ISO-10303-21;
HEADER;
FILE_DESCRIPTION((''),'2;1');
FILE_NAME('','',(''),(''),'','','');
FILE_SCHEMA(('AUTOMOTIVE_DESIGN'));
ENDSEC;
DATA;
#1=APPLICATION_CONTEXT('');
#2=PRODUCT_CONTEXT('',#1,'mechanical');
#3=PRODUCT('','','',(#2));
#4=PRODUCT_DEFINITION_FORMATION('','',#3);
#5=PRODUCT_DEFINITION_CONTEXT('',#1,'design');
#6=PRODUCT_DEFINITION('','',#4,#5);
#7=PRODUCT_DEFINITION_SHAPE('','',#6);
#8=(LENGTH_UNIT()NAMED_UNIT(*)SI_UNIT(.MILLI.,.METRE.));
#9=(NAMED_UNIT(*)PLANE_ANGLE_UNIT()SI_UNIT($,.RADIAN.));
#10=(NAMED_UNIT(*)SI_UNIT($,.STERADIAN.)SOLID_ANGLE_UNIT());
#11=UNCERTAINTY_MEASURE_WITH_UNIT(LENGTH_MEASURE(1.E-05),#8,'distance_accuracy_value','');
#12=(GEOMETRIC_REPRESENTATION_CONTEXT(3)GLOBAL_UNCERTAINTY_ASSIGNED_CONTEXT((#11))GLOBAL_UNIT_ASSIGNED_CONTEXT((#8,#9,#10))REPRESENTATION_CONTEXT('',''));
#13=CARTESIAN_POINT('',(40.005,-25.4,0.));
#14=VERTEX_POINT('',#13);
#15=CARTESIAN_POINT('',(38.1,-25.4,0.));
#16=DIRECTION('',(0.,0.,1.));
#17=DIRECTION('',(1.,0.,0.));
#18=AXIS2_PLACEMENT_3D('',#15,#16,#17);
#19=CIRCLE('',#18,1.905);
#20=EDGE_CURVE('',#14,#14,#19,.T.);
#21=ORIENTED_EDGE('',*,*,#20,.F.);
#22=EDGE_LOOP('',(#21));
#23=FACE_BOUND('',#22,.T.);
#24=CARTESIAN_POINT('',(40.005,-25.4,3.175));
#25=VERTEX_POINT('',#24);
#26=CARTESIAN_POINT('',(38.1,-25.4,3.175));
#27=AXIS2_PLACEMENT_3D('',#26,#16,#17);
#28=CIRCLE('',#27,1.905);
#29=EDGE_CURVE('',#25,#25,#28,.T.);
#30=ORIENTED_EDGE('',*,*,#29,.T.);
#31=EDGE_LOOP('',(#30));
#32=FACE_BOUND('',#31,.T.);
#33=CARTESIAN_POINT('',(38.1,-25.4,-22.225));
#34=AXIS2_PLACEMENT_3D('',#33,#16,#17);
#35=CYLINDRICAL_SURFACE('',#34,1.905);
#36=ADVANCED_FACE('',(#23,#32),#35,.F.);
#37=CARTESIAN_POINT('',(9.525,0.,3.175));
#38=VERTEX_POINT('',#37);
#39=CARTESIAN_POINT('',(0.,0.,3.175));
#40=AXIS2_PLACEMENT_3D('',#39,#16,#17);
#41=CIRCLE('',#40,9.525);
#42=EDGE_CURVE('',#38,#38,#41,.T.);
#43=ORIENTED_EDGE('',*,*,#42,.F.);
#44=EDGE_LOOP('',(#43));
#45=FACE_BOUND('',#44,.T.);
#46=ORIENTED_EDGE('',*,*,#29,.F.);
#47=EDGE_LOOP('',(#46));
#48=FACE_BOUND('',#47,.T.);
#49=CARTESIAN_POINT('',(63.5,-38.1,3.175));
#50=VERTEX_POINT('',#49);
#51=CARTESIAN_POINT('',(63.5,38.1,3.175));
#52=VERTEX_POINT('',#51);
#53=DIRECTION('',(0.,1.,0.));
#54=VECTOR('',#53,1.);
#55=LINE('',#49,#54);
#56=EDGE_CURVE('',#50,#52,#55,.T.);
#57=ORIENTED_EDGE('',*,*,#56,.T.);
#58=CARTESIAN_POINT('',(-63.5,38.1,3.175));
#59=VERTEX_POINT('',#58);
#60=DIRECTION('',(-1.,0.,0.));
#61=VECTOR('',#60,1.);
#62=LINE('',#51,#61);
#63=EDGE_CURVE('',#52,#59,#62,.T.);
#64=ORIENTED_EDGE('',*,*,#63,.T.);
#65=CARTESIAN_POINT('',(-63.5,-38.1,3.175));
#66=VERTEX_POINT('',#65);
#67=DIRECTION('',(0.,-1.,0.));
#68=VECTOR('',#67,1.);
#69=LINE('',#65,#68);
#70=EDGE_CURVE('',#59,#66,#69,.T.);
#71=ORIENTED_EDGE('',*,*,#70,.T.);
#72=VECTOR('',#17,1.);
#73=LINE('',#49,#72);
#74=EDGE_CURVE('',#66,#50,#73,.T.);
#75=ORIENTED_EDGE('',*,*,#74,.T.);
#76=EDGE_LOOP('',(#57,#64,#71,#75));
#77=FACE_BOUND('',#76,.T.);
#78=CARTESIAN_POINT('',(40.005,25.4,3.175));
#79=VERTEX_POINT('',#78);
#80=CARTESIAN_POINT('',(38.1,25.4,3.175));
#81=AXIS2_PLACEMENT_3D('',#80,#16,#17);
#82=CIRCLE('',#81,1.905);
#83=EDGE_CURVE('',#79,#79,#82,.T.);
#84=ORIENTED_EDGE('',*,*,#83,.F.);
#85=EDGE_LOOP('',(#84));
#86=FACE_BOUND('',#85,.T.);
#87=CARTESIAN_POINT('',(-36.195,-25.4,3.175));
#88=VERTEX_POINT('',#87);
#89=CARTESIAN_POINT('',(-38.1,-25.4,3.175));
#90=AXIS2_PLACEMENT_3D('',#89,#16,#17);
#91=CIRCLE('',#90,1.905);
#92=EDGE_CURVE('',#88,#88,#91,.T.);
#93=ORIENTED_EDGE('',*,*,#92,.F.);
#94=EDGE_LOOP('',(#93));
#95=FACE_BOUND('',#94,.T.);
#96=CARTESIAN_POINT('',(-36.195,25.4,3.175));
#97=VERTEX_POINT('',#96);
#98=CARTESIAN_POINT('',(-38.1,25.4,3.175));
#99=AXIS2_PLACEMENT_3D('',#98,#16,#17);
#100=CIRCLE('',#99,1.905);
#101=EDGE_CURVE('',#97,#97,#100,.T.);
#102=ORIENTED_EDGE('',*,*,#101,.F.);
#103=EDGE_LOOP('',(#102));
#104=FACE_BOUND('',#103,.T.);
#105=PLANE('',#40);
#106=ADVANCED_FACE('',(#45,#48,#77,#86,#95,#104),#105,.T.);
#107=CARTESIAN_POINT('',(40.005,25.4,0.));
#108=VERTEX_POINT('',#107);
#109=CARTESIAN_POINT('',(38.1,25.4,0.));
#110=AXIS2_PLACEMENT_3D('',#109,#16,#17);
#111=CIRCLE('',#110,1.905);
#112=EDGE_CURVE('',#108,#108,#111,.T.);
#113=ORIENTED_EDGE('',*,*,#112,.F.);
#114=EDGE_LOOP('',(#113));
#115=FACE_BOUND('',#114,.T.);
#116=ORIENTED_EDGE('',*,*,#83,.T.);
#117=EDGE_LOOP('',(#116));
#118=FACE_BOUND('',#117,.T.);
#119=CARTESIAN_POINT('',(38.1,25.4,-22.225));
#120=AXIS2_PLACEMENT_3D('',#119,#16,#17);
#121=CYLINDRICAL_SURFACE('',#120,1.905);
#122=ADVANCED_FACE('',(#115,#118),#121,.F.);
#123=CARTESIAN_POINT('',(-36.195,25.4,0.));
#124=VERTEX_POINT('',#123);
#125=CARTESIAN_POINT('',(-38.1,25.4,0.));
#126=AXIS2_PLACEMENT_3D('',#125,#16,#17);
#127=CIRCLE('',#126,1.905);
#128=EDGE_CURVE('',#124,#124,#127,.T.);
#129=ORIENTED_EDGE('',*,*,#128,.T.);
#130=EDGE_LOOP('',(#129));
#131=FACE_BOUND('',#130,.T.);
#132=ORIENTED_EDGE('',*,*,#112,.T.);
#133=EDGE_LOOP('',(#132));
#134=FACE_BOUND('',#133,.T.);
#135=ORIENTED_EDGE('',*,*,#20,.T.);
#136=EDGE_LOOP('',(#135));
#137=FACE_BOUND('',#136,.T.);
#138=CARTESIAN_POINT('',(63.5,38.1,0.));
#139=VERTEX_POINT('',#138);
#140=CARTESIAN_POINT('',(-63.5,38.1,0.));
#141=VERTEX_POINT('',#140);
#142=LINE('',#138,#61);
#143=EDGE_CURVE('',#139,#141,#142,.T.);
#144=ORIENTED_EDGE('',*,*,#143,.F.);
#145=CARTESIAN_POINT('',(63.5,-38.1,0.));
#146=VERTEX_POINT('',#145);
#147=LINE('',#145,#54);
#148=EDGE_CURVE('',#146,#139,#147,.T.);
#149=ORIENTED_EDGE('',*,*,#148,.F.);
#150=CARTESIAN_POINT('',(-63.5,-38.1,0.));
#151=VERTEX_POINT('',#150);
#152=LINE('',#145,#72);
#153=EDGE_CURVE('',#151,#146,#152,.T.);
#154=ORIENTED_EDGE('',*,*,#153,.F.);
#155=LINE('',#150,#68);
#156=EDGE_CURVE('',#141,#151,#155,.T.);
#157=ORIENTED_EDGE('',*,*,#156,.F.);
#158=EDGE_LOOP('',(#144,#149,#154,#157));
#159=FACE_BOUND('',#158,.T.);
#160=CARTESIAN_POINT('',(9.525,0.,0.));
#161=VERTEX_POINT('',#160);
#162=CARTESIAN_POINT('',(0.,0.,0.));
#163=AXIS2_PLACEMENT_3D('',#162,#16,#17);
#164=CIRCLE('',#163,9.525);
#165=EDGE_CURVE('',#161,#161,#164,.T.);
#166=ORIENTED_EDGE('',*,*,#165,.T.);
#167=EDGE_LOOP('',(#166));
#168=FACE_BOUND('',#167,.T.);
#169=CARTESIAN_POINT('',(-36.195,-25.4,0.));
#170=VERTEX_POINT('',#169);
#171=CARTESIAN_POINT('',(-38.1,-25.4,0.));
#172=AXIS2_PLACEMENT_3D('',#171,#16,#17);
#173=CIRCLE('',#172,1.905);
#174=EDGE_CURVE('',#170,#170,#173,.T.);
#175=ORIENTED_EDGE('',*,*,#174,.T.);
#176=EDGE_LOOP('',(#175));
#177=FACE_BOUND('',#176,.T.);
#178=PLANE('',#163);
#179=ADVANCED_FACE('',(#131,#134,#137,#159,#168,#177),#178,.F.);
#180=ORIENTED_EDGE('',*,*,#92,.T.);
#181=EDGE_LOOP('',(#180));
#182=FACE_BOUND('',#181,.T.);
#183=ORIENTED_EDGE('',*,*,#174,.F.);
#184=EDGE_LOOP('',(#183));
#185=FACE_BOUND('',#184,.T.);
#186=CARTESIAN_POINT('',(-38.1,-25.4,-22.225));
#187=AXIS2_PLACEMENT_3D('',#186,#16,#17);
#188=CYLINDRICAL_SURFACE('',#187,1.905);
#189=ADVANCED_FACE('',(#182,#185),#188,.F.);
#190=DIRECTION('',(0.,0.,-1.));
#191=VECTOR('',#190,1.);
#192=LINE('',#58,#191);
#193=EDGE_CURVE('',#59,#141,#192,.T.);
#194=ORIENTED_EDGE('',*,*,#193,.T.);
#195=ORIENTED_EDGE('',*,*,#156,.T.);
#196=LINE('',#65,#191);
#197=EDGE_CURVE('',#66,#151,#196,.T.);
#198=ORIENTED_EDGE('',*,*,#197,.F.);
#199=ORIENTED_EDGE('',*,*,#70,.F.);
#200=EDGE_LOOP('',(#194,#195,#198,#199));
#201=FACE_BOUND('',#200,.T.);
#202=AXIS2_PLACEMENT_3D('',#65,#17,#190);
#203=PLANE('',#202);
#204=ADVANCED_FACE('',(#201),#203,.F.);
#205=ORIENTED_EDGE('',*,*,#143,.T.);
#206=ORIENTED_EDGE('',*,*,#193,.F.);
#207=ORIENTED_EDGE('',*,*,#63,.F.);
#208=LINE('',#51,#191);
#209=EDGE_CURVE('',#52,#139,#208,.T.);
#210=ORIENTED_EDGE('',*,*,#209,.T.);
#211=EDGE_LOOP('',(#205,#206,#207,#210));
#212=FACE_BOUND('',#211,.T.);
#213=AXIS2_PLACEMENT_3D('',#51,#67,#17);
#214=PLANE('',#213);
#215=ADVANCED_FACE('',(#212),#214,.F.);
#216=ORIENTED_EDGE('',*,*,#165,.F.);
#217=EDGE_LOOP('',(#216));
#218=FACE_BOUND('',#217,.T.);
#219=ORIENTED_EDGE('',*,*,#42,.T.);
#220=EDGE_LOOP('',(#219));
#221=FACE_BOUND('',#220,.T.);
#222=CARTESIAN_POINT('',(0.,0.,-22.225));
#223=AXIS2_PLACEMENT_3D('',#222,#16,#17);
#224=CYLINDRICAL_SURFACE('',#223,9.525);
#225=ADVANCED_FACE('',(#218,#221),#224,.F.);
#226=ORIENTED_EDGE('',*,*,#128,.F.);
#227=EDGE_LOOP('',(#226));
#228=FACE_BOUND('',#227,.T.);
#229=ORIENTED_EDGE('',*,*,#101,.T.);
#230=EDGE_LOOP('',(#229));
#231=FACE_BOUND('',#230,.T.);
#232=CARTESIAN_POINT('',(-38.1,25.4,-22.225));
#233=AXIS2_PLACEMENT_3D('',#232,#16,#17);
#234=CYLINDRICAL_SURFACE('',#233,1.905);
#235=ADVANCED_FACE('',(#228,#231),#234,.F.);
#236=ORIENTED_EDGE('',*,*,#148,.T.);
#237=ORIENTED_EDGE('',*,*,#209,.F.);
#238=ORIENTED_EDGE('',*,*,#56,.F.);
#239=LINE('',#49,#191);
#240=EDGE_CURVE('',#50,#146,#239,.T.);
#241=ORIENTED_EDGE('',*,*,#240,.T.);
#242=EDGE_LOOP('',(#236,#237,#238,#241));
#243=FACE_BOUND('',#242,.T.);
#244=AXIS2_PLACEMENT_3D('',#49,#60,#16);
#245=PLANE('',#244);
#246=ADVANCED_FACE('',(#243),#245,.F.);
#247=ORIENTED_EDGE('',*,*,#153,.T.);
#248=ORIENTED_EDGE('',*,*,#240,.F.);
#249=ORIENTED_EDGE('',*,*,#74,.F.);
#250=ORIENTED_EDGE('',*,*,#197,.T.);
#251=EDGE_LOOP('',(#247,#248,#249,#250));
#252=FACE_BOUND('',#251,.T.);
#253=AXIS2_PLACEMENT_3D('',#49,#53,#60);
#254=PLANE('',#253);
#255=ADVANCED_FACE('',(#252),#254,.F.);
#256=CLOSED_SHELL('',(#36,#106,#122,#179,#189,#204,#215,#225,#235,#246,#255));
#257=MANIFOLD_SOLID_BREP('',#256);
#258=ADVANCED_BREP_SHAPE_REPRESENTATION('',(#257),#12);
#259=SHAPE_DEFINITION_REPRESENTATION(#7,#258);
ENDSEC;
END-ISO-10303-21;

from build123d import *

# Parameters (mm, degrees)
SKETCH1_W                = 127
SKETCH1_H                = 76.2
BOSS_EXTRUDE1_DEPTH      = 3.175
BOSS_EXTRUDE2_DEPTH      = 12.7
BOSS_EXTRUDE2_DEPTH_BACK = 25.4
SKETCH2_R                = 9.525
F_1_2_13_TAPPED_HOLE3_D  = 11.684
THREAD2_PITCH            = 1.953846154
THREAD2_HEIGHT           = 30.32
THREAD2_RADIUS           = 5.842
SKETCH12_R               = 1.905
CUT_EXTRUDE1_DEPTH       = 79.28805787
SKETCH13_R               = 9.525
CUT_EXTRUDE2_DEPTH       = 6.35
SKETCH15_R               = 9.525
CUT_EXTRUDE4_DEPTH       = 81.572467421


with BuildPart() as part:
    # Sketch1 → Boss-Extrude1 (new body)
    with BuildSketch(Plane.XY):
        Rectangle(SKETCH1_W, SKETCH1_H)
    extrude(amount=BOSS_EXTRUDE1_DEPTH)

    # Sketch2 → Boss-Extrude2 (add, two sides: drawn at the far end of the back side and taken through both)
    with BuildSketch(Plane.XY.offset(3.175).offset(-BOSS_EXTRUDE2_DEPTH_BACK)):
        Circle(SKETCH2_R)
    extrude(amount=BOSS_EXTRUDE2_DEPTH + BOSS_EXTRUDE2_DEPTH_BACK)

    # 1/2-13 Tapped Hole3 (through all)
    with Locations(Plane.XY.offset(15.875)):
        with Locations((0, 0)):
            Hole(F_1_2_13_TAPPED_HOLE3_D / 2)

    # Thread2: sweep along a helix
    with BuildLine() as thread2_path:
        Helix(THREAD2_PITCH, THREAD2_HEIGHT, THREAD2_RADIUS, center=(0, 0, 15.875), direction=(0, 0, -1))
    # Thread Profile2 → Thread2 (sweep)
    with BuildSketch(Plane(origin=(-5.842, 0, 15.875), x_dir=(-1, 0, 0), z_dir=(0, -1, 0))):
        Polygon((0, 0), (1.057550248, 0.61057692), (1.057550248, 0.85480769), (0, 1.46538461), align=None)
    sweep(path=thread2_path.line, is_frenet=True)

    # Sketch12 → Cut-Extrude1 (cut, through all)
    with BuildSketch(Plane.XY.offset(3.175)):
        with Locations((-38.1, 25.4)):
            Circle(SKETCH12_R)
        with Locations((-38.1, -25.4)):
            Circle(SKETCH12_R)
        with Locations((38.1, -25.4)):
            Circle(SKETCH12_R)
        with Locations((38.1, 25.4)):
            Circle(SKETCH12_R)
    extrude(amount=-CUT_EXTRUDE1_DEPTH, mode=Mode.SUBTRACT)

    # Sketch13 → Cut-Extrude2 (cut)
    with BuildSketch(Plane.XY.offset(15.875)):
        Circle(SKETCH13_R)
    extrude(amount=-CUT_EXTRUDE2_DEPTH, mode=Mode.SUBTRACT)

    # Sketch15 → Cut-Extrude4 (cut, through all)
    with BuildSketch(Plane.XY.offset(9.525)):
        Circle(SKETCH15_R)
    extrude(amount=-CUT_EXTRUDE4_DEPTH, mode=Mode.SUBTRACT)


solid = part.part
